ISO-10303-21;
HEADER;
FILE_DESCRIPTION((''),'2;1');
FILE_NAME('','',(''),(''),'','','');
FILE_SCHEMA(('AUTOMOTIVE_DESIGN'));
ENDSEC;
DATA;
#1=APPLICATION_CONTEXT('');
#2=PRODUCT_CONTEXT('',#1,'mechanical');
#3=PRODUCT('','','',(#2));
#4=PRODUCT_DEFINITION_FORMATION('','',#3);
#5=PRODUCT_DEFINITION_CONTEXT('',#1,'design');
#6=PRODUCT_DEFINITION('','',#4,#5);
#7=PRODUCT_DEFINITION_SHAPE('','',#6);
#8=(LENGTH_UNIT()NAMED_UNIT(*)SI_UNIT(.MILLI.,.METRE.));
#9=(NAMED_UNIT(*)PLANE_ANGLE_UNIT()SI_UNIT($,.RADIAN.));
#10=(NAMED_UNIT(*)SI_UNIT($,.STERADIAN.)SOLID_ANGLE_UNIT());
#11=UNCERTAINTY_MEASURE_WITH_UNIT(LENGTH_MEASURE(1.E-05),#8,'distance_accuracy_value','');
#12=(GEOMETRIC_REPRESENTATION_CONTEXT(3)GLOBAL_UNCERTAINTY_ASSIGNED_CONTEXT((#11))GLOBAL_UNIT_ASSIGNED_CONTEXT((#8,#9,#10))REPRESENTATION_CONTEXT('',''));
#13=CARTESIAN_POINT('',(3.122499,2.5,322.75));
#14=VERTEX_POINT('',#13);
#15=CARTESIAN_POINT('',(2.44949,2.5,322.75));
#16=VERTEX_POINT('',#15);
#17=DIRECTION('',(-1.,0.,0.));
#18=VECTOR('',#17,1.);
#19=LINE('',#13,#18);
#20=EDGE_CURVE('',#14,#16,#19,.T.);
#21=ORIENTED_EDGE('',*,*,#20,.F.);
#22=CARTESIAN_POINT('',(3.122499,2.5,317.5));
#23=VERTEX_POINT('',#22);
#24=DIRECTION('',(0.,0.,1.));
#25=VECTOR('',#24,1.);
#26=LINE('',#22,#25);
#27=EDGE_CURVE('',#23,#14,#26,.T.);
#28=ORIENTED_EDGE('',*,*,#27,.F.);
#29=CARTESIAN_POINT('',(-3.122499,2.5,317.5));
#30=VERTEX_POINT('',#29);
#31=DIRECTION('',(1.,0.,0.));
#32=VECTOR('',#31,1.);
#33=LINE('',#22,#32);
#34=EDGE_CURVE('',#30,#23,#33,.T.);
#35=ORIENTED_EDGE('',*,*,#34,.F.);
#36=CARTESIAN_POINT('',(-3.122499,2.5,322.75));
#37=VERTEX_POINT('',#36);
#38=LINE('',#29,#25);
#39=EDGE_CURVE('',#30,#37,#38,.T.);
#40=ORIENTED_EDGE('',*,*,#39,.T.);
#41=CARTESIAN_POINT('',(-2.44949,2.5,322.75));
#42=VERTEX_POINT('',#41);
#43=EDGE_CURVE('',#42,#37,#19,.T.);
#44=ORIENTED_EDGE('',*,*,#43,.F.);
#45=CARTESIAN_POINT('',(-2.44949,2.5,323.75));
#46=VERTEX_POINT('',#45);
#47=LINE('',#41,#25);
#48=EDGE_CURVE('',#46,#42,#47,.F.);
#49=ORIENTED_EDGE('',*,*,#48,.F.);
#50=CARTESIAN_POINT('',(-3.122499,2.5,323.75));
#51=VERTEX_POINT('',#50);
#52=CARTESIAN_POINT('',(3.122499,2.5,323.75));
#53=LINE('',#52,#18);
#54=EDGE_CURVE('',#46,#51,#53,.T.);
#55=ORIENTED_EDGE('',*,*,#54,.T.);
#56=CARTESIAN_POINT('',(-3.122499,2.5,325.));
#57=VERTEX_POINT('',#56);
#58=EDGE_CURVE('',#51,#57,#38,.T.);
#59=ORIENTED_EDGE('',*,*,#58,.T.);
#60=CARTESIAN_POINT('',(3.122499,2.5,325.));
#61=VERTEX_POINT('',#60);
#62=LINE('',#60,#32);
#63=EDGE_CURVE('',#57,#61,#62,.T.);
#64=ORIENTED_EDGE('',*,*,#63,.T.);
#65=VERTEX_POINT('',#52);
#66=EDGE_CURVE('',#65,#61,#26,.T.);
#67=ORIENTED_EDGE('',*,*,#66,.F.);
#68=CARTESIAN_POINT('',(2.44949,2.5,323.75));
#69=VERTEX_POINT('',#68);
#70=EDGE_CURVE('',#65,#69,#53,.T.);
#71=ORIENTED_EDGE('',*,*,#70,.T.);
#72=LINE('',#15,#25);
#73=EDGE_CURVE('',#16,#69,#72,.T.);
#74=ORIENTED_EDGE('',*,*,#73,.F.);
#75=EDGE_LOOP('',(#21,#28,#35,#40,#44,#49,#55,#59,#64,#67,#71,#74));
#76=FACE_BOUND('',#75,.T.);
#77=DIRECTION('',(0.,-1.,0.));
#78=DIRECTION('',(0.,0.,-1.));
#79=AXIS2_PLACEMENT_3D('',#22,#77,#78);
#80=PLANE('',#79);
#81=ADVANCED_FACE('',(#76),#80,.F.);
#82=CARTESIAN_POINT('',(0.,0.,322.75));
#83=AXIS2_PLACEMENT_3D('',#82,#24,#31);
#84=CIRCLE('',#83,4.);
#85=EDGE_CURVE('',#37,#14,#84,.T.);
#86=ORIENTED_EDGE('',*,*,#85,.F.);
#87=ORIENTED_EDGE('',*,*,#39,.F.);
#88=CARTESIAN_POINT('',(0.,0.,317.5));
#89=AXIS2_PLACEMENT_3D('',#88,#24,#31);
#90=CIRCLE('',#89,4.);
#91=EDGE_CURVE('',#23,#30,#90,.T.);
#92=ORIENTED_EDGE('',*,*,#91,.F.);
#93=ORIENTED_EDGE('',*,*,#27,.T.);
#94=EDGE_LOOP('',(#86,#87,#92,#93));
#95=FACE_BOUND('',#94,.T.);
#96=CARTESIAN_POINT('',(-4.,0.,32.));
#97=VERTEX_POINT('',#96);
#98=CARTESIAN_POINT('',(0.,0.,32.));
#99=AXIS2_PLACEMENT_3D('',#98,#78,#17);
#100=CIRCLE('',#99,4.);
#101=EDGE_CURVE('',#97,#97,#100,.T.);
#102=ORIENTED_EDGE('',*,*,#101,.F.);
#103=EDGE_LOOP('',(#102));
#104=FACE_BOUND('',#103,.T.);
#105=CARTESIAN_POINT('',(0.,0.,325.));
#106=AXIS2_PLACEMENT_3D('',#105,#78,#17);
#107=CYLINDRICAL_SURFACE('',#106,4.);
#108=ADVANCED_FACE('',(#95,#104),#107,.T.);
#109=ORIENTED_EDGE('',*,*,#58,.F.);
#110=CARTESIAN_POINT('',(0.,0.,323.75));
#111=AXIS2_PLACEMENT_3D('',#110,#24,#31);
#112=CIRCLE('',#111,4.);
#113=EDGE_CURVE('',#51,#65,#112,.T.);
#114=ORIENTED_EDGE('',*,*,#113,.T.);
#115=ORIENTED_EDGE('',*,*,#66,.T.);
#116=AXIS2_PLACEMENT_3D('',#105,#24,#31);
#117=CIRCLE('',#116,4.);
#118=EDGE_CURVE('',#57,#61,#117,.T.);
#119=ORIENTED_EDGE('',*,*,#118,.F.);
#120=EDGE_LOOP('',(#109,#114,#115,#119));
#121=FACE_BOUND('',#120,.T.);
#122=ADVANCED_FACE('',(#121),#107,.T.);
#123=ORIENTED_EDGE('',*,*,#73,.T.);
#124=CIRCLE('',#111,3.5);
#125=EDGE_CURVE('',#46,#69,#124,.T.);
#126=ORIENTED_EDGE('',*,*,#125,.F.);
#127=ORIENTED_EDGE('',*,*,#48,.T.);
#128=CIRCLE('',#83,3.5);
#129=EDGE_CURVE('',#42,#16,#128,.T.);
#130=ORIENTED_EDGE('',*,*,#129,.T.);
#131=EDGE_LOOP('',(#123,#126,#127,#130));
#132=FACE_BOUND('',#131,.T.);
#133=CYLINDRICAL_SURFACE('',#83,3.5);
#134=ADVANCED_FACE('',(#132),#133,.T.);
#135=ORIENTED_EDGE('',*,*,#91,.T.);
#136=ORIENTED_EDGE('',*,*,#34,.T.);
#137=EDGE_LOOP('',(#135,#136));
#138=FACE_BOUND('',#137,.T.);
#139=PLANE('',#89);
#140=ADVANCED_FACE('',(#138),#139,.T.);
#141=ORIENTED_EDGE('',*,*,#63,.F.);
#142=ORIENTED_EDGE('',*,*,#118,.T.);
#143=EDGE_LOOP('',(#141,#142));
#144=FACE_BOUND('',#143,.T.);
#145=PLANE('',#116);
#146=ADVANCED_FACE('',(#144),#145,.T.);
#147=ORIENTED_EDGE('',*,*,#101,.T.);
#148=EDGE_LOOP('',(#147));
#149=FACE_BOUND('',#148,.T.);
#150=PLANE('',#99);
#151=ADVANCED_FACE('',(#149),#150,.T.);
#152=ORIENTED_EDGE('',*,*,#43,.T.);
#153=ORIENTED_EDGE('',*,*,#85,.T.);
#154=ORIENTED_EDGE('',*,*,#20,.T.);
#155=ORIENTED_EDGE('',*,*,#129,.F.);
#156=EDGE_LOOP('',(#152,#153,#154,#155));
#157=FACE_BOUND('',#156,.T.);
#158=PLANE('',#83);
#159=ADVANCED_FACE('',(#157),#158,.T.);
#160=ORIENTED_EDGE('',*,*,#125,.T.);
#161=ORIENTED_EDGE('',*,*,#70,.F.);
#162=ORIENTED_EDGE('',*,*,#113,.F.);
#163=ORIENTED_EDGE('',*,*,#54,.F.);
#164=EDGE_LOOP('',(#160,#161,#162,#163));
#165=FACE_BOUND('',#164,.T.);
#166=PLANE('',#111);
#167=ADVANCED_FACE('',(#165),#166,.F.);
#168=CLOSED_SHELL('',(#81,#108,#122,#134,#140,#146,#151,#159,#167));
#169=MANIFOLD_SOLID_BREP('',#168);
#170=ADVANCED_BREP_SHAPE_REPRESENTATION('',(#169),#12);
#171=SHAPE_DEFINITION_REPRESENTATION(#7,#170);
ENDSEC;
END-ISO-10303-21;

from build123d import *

# Parameters (mm, degrees)
SKETCH1_R           = 4
BOSS_EXTRUDE1_DEPTH = 325
CUT_EXTRUDE1_DEPTH  = 7.5
SKETCH3_R           = 4
SKETCH3_R_2         = 3.5
CUT_EXTRUDE2_DEPTH  = 1
SKETCH5_R           = 4
CUT_EXTRUDE3_DEPTH  = 65
SKETCH6_R           = 4
BOSS_EXTRUDE2_DEPTH = 13
SKETCH7_R           = 4
BOSS_EXTRUDE3_DEPTH = 10
SKETCH8_R           = 4
BOSS_EXTRUDE4_DEPTH = 40
SKETCH9_R           = 4
CUT_EXTRUDE4_DEPTH  = 30


with BuildPart() as part:
    # Sketch1 → Boss-Extrude1 (new body)
    with BuildSketch(Plane.XY):
        Circle(SKETCH1_R)
    extrude(amount=BOSS_EXTRUDE1_DEPTH)

    # Sketch2 → Cut-Extrude1 (cut)
    with BuildSketch(Plane.XY.offset(325)):
        with BuildLine():
            Line((3.122498999, 2.5), (-3.122498999, 2.5))
            ThreePointArc((-3.122498999, 2.5), (0, 4), (3.122498999, 2.5))
        make_face()
    extrude(amount=-CUT_EXTRUDE1_DEPTH, mode=Mode.SUBTRACT)

    # Sketch3 → Cut-Extrude2 (cut)
    with BuildSketch(Plane.XY.offset(323.75)):
        Circle(SKETCH3_R)
        Circle(SKETCH3_R_2, mode=Mode.SUBTRACT)
    extrude(amount=-CUT_EXTRUDE2_DEPTH, mode=Mode.SUBTRACT)

    # Sketch5 → Cut-Extrude3 (cut)
    with BuildSketch(Plane(origin=(0, 0, 0), x_dir=(-1, 0, 0), z_dir=(0, 0, -1))):
        Circle(SKETCH5_R)
    extrude(amount=-CUT_EXTRUDE3_DEPTH, mode=Mode.SUBTRACT)

    # Sketch6 → Boss-Extrude2 (add)
    with BuildSketch(Plane(origin=(0, 0, 65), x_dir=(-1, 0, 0), z_dir=(0, 0, -1))):
        Circle(SKETCH6_R)
    extrude(amount=BOSS_EXTRUDE2_DEPTH)

    # Sketch7 → Boss-Extrude3 (add)
    with BuildSketch(Plane(origin=(0, 0, 52), x_dir=(-1, 0, 0), z_dir=(0, 0, -1))):
        Circle(SKETCH7_R)
    extrude(amount=BOSS_EXTRUDE3_DEPTH)

    # Sketch8 → Boss-Extrude4 (add)
    with BuildSketch(Plane(origin=(0, 0, 42), x_dir=(-1, 0, 0), z_dir=(0, 0, -1))):
        Circle(SKETCH8_R)
    extrude(amount=BOSS_EXTRUDE4_DEPTH)

    # Sketch9 → Cut-Extrude4 (cut)
    with BuildSketch(Plane(origin=(0, 0, 2), x_dir=(-1, 0, 0), z_dir=(0, 0, -1))):
        Circle(SKETCH9_R)
    extrude(amount=-CUT_EXTRUDE4_DEPTH, mode=Mode.SUBTRACT)


solid = part.part
